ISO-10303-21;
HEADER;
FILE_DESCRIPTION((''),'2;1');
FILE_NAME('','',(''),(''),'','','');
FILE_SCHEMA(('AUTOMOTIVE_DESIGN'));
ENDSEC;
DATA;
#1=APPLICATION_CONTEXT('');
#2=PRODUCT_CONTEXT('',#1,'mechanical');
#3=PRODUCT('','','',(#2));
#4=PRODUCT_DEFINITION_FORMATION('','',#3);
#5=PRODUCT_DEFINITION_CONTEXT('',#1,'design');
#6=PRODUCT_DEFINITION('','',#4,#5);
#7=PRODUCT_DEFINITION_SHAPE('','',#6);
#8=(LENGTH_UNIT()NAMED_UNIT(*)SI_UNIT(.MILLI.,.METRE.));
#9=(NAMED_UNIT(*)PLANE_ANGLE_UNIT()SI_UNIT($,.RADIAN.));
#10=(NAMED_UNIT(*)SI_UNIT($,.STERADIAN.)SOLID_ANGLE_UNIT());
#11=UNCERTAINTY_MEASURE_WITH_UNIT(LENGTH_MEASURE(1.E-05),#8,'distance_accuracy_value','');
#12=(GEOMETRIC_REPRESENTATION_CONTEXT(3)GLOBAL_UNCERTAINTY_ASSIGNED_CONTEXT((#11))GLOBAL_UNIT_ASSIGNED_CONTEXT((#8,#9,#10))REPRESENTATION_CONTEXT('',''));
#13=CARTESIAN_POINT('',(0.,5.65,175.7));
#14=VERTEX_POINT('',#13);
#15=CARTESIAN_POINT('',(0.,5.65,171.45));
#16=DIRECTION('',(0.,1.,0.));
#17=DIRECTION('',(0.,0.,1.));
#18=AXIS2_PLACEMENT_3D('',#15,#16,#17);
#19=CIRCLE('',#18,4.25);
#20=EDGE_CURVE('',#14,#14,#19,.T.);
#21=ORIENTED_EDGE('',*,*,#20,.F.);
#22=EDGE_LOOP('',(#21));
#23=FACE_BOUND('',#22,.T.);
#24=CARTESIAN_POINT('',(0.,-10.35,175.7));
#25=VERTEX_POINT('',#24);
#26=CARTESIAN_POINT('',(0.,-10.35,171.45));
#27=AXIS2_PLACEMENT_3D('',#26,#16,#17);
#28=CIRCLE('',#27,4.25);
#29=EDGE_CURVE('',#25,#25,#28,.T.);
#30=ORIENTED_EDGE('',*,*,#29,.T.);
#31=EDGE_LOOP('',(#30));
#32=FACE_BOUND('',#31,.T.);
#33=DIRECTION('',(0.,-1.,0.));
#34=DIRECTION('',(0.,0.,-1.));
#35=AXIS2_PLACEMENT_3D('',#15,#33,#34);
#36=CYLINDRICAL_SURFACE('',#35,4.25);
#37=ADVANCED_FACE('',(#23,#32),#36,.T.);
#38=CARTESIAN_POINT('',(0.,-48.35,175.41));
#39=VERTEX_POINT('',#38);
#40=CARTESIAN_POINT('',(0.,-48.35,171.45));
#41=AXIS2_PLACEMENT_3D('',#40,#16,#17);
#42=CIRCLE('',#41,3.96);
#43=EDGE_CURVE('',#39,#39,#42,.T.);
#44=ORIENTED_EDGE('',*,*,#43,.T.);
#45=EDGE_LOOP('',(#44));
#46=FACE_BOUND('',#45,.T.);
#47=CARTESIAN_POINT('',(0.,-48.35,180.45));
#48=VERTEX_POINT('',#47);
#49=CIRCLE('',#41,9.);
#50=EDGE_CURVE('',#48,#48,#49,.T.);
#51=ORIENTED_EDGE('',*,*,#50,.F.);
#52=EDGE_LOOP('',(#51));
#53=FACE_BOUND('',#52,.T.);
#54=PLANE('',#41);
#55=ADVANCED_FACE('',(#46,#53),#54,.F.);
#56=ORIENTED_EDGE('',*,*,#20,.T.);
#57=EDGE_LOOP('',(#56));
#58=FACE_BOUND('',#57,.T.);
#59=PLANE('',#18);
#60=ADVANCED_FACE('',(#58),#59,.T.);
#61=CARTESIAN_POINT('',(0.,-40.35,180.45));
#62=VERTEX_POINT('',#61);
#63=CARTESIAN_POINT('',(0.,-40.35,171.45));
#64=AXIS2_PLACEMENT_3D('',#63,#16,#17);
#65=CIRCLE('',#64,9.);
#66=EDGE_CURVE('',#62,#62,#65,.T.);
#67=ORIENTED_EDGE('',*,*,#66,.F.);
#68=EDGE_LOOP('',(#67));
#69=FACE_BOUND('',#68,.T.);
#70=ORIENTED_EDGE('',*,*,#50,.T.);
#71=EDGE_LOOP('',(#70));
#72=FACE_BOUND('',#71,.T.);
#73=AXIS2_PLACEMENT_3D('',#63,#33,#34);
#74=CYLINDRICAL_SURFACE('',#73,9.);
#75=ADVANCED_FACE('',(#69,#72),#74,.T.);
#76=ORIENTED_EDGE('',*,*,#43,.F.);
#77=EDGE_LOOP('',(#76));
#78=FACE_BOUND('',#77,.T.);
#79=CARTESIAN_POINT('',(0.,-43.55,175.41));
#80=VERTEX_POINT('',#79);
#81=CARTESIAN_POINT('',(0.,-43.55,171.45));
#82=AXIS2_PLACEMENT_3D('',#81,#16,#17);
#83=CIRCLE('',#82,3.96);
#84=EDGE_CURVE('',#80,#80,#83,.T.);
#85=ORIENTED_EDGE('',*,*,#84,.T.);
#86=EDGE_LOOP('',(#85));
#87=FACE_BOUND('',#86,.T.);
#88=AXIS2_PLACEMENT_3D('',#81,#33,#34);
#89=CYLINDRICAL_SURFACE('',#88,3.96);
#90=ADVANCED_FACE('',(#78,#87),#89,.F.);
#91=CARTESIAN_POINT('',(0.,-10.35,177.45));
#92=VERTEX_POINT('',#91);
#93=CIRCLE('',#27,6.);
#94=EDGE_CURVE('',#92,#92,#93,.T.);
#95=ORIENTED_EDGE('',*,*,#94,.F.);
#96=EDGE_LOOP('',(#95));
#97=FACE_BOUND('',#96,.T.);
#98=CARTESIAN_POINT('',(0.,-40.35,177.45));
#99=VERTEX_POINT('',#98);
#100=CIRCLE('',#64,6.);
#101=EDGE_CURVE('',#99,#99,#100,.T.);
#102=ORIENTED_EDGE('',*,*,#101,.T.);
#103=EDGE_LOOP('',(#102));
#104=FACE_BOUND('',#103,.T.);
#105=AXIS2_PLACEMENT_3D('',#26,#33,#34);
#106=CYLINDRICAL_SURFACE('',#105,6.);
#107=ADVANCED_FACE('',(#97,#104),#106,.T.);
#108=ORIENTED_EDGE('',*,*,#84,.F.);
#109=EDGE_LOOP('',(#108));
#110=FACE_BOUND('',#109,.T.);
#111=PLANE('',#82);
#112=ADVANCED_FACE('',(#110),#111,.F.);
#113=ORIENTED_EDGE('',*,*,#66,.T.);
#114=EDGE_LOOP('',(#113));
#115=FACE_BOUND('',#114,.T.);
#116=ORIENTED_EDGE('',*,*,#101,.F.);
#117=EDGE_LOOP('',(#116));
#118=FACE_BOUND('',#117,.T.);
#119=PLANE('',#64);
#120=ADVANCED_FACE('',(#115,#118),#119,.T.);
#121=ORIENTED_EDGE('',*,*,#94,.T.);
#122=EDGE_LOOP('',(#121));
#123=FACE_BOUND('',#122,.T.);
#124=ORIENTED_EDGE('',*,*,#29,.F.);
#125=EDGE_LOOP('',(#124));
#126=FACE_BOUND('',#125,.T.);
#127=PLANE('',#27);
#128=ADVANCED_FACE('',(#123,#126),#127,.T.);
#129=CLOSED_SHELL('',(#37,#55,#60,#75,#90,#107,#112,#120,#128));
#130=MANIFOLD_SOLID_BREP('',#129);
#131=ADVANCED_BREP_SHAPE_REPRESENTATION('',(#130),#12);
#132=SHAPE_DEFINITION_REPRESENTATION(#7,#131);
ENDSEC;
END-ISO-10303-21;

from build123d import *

# Parameters (mm, degrees)
ROSCA_M10_START  = -10.35
CROQUIS1_R       = 4.25
ROSCA_M10_DEPTH  = 16
HOMBRO_D12_START = -40.35
CROQUIS2_R       = 6
HOMBRO_D12_DEPTH = 30
CABEZA_START     = -48.35
CROQUIS3_R       = 9
CABEZA_DEPTH     = 8
ALLEN_START      = -48.35
CROQUIS4_R       = 3.96
ALLEN_DEPTH      = 4.8


with BuildPart() as part:
    # Croquis1 → Rosca_M10 (new body)
    with BuildSketch(Plane(origin=(0, 0, 0), x_dir=(1, 0, 0), z_dir=(0, 1, 0)).offset(ROSCA_M10_START)):
        with Locations(Location((0, -171.45, 0), (0, 0, 270))):
            Circle(CROQUIS1_R)
    extrude(amount=ROSCA_M10_DEPTH)

    # Croquis2 → Hombro_D12 (add)
    with BuildSketch(Plane(origin=(0, 0, 0), x_dir=(1, 0, 0), z_dir=(0, 1, 0)).offset(HOMBRO_D12_START)):
        with Locations(Location((0, -171.45, 0), (0, 0, 270))):
            Circle(CROQUIS2_R)
    extrude(amount=HOMBRO_D12_DEPTH)

    # Croquis3 → Cabeza (add)
    with BuildSketch(Plane(origin=(0, 0, 0), x_dir=(1, 0, 0), z_dir=(0, 1, 0)).offset(CABEZA_START)):
        with Locations(Location((0, -171.45, 0), (0, 0, 270))):
            Circle(CROQUIS3_R)
    extrude(amount=CABEZA_DEPTH)

    # Croquis4 → Allen (cut)
    with BuildSketch(Plane(origin=(0, 0, 0), x_dir=(1, 0, 0), z_dir=(0, 1, 0)).offset(ALLEN_START)):
        with Locations(Location((0, -171.45, 0), (0, 0, 270))):
            Circle(CROQUIS4_R)
    extrude(amount=ALLEN_DEPTH, mode=Mode.SUBTRACT)


solid = part.part
